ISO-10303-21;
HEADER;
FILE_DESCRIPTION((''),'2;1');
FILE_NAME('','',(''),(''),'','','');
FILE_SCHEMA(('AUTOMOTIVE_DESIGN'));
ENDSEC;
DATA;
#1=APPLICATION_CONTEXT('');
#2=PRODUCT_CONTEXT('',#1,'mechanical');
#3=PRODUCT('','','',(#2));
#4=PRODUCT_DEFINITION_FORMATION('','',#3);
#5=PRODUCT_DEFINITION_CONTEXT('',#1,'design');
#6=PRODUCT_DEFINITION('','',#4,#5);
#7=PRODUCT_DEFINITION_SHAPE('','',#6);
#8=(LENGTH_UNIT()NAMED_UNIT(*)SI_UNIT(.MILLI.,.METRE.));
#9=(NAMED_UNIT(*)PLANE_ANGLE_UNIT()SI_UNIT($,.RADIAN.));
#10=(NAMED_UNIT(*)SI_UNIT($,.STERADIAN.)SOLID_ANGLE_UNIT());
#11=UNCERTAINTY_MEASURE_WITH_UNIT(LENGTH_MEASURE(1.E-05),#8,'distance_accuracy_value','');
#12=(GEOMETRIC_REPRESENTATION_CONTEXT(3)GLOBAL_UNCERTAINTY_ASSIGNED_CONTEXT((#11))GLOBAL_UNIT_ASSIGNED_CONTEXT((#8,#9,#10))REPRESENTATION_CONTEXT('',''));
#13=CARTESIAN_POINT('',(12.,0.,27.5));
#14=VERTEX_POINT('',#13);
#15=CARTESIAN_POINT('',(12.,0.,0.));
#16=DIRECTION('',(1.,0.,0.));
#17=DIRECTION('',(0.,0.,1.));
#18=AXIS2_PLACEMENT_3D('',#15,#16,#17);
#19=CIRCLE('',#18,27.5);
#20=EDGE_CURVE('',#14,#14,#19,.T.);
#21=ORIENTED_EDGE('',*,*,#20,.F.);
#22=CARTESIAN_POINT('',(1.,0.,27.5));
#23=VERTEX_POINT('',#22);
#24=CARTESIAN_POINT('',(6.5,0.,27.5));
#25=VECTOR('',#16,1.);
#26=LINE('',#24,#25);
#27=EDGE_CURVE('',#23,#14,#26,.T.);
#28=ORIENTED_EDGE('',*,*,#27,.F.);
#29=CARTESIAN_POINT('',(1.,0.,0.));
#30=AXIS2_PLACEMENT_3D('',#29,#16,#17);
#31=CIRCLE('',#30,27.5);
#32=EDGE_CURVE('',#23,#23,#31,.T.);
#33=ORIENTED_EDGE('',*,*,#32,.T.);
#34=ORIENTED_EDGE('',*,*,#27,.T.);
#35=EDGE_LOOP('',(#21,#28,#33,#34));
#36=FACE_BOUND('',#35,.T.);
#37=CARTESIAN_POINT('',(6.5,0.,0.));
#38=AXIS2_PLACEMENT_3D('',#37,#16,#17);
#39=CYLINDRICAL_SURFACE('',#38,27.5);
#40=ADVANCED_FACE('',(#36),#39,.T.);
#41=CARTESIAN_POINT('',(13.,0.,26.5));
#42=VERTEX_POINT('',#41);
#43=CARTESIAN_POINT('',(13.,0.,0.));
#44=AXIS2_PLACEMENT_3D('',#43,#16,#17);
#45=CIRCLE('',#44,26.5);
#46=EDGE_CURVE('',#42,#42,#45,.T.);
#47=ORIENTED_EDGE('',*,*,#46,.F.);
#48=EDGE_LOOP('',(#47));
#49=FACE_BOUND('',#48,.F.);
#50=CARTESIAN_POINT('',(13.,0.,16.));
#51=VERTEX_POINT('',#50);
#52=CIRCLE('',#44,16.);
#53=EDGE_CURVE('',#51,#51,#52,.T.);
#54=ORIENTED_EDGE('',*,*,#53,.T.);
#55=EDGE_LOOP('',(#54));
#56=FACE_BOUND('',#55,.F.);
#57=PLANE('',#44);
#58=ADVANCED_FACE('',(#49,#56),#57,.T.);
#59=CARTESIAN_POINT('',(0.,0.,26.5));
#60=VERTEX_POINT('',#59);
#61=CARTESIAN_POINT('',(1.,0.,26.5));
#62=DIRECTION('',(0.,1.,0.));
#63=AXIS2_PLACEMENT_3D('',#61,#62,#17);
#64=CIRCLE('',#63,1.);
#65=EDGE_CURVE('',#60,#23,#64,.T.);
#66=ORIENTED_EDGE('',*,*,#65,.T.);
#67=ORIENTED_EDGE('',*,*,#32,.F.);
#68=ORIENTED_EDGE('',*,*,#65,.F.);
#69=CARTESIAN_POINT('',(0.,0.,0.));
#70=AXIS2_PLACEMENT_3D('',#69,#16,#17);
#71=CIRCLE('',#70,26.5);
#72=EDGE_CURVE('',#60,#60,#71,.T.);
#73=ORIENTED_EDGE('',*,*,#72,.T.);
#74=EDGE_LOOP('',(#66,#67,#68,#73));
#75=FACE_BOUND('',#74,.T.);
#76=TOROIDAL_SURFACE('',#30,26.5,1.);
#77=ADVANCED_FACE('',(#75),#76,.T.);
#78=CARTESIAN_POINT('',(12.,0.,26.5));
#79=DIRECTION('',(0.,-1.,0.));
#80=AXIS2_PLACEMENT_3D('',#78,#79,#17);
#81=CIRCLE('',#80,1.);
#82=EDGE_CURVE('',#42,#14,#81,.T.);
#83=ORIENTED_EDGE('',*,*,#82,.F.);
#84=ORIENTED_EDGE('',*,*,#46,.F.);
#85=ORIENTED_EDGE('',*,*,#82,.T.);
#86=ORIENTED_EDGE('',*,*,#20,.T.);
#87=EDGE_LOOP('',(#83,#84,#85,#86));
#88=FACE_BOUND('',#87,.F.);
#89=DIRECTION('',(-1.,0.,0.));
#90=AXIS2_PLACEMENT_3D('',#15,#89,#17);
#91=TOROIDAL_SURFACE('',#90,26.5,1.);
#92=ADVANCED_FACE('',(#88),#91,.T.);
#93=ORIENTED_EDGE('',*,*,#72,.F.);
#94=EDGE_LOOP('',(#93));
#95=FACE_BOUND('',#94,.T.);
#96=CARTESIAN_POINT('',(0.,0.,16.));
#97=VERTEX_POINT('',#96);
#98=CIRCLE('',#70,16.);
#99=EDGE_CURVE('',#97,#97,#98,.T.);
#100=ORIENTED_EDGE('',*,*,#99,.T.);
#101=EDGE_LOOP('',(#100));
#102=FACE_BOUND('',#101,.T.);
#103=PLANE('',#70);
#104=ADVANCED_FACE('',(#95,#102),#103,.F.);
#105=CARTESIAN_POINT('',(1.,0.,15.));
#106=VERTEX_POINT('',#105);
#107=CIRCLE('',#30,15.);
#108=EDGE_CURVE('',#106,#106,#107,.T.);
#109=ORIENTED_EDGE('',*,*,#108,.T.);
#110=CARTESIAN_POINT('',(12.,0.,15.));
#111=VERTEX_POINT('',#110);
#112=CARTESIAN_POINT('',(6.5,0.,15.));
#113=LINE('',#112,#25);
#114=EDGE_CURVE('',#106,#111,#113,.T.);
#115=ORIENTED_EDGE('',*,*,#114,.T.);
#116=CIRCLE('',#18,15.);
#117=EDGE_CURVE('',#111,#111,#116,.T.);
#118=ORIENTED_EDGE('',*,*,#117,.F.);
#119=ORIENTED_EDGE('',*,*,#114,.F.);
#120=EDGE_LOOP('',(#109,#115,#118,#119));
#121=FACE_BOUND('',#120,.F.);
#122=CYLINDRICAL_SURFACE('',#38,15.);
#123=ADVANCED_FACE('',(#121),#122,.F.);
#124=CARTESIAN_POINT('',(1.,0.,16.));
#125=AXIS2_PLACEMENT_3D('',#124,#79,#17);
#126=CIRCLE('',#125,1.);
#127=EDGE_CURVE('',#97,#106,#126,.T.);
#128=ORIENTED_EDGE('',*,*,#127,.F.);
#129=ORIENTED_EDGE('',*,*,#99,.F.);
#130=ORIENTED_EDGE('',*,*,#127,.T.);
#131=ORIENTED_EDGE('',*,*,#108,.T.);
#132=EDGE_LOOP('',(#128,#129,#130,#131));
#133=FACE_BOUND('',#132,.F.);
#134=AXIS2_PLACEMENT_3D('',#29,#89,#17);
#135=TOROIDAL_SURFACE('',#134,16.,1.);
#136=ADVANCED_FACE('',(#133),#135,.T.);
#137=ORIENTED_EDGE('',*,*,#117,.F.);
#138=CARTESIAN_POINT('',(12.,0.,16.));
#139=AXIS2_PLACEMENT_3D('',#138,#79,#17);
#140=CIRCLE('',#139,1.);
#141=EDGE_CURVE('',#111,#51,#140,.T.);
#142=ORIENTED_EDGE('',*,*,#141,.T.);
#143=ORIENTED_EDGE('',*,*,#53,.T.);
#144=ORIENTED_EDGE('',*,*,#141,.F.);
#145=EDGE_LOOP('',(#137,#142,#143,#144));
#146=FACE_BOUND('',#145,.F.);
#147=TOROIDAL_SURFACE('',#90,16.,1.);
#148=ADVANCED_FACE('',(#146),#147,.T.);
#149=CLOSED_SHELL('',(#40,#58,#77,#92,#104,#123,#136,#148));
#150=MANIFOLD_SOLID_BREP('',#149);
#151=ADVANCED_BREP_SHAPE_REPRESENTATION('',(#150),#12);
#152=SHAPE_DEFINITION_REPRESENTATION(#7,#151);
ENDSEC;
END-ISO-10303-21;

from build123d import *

# Parameters (mm, degrees)
F0_W = 13
F0_H = 12.5
F2_R = 1


with BuildPart() as f1:
    # F0 (on Front) → F1 (revolve)
    with BuildSketch(Plane.XZ):
        with Locations((6.5, 21.25)):
            Rectangle(F0_W, F0_H)
    revolve(axis=Axis((6.996951, 0, 0), (1, 0, 0)))

    # F2
    f2_edges = [f1.edges().sort_by_distance(p)[0] for p in [
        (13, 0, -27.5),
        (0, 0, -27.5),
        (6.5, 0, 27.5),
        (0, 0, -15),
        (13, 0, -15),
        (6.5, 0, 15),
    ]]
    fillet(f2_edges, radius=F2_R)


solid = f1.part
